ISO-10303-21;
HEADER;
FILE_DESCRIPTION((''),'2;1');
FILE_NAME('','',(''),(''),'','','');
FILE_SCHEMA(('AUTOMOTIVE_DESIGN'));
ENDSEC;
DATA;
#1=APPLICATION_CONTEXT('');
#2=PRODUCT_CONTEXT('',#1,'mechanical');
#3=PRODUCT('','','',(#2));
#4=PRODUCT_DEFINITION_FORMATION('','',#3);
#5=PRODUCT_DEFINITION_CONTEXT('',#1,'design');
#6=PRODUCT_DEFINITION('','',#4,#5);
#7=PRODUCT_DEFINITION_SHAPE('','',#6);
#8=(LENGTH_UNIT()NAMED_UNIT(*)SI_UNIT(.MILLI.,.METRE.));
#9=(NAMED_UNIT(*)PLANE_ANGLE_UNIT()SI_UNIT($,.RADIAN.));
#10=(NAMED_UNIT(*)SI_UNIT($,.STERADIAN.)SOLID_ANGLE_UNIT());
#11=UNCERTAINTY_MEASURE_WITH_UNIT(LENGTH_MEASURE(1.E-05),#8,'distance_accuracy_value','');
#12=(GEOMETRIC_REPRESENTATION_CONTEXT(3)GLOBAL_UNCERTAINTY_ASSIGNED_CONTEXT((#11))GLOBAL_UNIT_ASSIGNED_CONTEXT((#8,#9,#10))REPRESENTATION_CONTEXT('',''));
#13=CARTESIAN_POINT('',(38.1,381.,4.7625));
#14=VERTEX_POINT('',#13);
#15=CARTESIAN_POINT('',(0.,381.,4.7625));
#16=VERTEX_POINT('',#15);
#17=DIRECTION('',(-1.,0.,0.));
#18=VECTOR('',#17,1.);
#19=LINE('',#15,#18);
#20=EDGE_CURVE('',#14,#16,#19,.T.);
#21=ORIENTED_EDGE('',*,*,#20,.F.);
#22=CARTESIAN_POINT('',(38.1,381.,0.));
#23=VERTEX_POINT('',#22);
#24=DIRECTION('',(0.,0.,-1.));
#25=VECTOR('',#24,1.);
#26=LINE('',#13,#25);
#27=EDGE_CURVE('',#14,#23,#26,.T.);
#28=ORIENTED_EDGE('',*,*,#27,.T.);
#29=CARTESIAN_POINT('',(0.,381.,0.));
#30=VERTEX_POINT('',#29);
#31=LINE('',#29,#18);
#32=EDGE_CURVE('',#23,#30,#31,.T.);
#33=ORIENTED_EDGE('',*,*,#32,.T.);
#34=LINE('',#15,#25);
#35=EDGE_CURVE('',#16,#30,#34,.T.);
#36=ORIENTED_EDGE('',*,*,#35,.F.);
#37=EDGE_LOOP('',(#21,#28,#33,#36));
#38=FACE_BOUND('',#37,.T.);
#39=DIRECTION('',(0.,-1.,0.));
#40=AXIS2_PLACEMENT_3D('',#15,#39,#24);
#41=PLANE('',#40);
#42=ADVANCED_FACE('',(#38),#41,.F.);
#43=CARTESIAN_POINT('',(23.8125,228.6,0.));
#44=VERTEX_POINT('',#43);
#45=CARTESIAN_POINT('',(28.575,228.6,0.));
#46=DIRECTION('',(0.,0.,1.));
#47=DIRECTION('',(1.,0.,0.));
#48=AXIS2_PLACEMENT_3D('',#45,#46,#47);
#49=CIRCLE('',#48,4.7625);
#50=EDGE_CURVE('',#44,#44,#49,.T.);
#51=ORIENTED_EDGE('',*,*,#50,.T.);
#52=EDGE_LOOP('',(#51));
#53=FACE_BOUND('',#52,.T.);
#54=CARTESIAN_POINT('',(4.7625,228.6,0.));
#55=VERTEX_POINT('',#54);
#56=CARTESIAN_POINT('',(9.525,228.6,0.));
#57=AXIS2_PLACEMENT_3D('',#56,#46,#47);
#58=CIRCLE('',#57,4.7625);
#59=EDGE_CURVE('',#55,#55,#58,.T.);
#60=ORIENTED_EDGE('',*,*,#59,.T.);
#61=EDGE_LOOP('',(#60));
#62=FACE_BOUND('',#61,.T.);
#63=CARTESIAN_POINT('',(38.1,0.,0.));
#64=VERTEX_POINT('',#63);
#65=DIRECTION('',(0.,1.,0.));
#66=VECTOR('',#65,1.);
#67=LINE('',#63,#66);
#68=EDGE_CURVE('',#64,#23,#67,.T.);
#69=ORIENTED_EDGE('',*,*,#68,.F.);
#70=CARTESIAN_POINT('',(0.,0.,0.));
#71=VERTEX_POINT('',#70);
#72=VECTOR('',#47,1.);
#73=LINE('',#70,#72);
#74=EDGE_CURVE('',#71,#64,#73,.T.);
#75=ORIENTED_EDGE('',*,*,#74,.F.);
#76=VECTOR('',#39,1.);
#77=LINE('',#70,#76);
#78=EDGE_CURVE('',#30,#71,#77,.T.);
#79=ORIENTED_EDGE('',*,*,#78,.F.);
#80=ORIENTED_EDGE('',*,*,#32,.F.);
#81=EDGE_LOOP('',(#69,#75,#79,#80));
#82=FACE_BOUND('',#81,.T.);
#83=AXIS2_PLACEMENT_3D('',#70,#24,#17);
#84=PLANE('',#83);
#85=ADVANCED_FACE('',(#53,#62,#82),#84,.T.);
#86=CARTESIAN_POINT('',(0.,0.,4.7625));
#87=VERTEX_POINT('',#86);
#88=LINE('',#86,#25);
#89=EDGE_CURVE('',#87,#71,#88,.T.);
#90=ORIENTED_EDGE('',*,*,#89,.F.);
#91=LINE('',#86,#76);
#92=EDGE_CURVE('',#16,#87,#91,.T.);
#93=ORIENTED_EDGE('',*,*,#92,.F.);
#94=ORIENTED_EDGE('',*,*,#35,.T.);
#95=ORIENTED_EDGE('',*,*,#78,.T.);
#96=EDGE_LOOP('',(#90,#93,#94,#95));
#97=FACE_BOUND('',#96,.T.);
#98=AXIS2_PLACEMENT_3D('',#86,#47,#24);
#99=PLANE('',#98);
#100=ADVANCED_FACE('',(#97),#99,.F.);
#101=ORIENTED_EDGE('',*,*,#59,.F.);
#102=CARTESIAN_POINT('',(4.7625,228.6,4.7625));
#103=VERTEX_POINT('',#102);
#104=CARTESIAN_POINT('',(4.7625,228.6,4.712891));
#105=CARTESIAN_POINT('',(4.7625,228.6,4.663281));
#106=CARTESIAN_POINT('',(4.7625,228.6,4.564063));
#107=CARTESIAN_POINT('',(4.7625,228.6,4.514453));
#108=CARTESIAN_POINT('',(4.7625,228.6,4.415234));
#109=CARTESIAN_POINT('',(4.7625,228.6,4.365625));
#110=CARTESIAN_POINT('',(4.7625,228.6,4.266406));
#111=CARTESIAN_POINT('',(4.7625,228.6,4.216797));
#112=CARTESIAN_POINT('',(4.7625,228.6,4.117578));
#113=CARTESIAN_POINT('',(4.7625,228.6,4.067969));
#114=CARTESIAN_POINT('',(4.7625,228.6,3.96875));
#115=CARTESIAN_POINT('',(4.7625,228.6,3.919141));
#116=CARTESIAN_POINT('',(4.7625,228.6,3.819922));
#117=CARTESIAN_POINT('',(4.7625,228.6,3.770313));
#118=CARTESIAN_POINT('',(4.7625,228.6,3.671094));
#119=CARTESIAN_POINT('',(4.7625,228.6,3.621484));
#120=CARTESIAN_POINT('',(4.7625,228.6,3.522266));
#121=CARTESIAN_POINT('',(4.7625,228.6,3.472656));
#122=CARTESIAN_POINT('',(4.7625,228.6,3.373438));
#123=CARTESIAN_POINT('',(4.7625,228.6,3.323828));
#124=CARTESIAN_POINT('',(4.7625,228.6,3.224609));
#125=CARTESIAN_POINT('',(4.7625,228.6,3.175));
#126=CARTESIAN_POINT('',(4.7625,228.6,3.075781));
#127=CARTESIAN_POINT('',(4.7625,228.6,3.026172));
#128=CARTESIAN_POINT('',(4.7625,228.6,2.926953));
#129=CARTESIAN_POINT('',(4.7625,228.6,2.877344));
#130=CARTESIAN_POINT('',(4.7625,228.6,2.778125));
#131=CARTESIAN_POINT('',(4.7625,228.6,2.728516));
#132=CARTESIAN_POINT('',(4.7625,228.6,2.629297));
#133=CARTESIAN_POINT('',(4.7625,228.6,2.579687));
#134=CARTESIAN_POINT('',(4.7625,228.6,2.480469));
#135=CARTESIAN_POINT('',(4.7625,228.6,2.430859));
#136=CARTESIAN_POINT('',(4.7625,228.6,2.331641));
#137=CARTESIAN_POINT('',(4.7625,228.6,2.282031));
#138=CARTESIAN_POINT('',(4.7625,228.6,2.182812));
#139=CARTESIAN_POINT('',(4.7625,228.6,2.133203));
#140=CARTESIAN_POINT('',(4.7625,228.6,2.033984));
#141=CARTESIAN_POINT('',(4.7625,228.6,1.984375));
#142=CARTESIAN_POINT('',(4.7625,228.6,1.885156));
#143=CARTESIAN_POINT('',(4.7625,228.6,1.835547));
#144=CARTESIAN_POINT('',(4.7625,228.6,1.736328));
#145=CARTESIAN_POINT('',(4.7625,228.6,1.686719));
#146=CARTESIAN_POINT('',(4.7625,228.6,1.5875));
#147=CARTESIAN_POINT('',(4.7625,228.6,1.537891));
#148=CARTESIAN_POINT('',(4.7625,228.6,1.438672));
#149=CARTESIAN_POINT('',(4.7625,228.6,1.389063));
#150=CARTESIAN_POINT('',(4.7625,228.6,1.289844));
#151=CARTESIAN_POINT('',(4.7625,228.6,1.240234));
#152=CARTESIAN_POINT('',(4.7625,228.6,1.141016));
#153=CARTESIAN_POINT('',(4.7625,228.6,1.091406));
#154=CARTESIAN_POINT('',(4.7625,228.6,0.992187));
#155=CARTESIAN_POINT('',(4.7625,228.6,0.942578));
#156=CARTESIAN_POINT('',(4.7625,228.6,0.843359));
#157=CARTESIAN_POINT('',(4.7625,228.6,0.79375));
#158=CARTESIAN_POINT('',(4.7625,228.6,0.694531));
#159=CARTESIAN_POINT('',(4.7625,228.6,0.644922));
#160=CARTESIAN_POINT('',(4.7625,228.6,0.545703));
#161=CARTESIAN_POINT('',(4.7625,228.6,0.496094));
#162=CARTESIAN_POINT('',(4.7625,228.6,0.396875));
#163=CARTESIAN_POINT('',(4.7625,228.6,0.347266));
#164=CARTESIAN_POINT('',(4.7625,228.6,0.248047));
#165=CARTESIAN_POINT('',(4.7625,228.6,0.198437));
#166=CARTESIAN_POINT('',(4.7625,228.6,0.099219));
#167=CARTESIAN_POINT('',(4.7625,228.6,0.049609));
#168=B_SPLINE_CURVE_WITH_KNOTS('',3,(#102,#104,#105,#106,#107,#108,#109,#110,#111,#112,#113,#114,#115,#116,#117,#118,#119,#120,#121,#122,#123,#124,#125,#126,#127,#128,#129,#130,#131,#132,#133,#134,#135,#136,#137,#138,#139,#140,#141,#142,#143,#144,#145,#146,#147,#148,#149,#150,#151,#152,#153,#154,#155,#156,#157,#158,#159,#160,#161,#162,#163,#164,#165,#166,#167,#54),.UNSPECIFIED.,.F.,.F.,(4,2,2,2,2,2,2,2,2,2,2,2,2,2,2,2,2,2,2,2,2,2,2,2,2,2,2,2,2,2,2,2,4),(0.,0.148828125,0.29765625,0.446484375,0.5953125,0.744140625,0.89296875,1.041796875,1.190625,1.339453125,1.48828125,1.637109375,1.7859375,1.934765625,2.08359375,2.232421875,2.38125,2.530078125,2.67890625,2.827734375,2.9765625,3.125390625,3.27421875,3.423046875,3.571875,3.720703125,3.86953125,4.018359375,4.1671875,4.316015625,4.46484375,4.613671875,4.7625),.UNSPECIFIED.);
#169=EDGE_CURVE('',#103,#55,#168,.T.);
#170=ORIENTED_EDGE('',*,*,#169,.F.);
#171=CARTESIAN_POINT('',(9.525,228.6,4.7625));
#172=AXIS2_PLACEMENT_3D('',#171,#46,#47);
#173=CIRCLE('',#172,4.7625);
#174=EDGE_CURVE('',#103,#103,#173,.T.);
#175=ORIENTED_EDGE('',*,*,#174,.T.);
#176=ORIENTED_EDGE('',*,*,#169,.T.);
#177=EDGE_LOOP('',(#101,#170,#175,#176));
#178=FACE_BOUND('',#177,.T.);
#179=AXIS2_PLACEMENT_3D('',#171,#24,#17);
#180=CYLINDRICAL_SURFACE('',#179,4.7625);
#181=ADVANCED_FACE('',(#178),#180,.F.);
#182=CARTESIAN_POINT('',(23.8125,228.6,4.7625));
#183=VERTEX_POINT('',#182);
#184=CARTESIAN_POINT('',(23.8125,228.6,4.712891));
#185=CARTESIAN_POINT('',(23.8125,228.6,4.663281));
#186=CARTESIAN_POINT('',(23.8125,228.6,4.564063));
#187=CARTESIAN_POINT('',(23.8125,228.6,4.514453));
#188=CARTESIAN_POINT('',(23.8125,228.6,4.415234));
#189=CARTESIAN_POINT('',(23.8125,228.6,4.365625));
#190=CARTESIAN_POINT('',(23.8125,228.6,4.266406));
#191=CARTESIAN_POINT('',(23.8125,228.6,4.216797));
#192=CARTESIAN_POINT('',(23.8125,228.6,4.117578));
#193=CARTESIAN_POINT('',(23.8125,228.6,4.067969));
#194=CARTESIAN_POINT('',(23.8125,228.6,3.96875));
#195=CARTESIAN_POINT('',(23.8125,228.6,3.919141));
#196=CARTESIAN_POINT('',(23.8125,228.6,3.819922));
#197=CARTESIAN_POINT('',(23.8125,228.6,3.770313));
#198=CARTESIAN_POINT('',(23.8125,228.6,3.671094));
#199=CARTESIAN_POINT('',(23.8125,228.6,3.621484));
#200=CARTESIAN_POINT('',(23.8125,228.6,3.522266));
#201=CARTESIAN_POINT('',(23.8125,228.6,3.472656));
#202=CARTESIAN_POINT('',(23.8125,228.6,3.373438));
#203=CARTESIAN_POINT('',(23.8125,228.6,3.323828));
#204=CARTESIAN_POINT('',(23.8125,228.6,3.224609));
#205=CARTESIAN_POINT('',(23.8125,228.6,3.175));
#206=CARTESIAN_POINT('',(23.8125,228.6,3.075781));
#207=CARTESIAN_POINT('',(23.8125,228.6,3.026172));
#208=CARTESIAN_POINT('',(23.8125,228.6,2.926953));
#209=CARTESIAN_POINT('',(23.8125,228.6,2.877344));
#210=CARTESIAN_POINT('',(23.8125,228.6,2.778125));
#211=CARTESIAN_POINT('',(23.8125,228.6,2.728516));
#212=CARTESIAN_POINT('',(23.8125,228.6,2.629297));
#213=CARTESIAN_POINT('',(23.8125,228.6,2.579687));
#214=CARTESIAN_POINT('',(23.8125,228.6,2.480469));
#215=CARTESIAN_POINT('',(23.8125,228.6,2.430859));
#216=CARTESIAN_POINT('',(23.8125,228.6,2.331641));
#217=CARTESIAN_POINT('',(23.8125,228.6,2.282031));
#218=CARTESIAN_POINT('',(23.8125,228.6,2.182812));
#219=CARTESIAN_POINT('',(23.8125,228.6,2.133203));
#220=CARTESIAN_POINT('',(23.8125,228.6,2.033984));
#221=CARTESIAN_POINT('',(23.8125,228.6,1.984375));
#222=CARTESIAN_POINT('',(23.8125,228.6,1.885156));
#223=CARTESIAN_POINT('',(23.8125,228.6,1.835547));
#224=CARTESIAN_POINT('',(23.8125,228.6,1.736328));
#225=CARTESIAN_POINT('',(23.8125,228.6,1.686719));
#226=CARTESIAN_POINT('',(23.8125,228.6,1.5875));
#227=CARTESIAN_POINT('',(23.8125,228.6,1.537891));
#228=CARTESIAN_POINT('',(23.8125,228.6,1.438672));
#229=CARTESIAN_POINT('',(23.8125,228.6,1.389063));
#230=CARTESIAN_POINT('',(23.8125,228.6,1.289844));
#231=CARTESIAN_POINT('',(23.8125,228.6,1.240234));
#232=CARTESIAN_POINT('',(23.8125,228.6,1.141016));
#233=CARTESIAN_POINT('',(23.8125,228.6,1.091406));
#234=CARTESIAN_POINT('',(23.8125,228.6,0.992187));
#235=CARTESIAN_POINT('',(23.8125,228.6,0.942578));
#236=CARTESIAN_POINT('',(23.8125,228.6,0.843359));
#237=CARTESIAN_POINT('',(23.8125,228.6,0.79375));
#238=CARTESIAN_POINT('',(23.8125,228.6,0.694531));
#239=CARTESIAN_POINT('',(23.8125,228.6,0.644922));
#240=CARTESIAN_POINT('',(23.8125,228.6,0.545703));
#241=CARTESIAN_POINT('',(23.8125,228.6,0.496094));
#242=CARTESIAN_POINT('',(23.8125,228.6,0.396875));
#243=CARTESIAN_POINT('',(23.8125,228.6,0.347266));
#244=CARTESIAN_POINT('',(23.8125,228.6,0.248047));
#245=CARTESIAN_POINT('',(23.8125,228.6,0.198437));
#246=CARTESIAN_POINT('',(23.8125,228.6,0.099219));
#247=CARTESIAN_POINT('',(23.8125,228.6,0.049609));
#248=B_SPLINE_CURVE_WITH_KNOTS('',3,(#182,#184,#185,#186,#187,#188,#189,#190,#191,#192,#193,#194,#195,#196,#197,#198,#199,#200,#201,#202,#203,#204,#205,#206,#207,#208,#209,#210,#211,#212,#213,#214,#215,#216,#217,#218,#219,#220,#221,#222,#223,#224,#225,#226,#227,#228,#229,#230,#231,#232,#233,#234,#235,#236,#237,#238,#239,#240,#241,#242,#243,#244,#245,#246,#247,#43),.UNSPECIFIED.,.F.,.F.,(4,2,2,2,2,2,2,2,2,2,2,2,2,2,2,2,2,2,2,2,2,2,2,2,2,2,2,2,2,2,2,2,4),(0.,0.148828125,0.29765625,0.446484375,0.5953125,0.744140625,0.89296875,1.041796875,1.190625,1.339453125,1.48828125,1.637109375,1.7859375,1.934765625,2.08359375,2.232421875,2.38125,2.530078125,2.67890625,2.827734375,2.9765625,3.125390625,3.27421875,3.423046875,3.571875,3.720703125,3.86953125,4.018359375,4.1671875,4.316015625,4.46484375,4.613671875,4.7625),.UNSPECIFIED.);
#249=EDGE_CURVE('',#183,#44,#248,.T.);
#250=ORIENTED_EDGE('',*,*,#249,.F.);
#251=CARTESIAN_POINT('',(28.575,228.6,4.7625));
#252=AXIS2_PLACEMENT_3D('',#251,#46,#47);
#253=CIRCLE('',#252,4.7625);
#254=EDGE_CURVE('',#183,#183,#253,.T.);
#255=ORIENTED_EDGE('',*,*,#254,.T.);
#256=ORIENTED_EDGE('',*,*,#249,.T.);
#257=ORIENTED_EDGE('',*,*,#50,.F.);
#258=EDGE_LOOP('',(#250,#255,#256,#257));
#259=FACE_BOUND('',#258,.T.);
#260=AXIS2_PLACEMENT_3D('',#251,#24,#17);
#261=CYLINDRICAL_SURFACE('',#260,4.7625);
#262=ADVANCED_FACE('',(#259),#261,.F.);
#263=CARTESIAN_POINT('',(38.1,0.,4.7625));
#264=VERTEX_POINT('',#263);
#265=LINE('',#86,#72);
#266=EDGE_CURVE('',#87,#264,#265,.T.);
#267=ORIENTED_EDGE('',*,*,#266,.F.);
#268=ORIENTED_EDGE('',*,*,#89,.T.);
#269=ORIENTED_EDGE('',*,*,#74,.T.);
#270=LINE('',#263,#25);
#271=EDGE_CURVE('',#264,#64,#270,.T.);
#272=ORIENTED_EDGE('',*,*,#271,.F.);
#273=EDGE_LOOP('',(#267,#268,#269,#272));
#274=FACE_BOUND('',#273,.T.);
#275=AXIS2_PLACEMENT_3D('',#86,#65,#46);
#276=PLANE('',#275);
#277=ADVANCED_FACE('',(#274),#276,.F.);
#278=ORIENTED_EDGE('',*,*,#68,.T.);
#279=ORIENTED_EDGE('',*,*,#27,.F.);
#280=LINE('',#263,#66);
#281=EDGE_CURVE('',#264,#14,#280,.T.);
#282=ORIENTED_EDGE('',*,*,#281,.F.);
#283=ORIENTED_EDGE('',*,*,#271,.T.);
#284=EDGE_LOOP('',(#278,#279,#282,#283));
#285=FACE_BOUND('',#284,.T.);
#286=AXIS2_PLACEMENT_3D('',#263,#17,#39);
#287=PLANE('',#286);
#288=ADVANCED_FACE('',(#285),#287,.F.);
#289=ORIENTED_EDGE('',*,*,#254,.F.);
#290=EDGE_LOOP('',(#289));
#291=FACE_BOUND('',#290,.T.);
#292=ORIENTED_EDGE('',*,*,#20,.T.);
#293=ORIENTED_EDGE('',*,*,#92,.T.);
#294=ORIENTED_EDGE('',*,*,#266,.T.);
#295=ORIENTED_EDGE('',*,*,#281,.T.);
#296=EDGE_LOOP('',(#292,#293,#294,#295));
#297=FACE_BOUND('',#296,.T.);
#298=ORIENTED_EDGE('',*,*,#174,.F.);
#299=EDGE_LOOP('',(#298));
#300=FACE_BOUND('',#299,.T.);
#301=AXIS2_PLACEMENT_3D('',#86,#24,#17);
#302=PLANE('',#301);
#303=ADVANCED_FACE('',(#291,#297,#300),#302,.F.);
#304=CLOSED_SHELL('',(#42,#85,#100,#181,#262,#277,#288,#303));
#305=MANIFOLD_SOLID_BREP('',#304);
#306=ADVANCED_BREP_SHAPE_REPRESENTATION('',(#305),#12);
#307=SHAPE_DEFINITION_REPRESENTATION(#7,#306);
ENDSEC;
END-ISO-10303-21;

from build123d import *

# Parameters (mm, degrees)
SKETCH1_W           = 38.1
SKETCH1_H           = 381
SKETCH1_R           = 4.7625
BOSS_EXTRUDE1_DEPTH = 4.7625


with BuildPart() as part:
    # Sketch1 → Boss-Extrude1 (new body)
    with BuildSketch(Plane.XY):
        with Locations((19.05, 190.5)):
            Rectangle(SKETCH1_W, SKETCH1_H)
        with Locations(Location((9.525, 228.6, 0), (0, 0, 180))):
            Circle(SKETCH1_R, mode=Mode.SUBTRACT)
        with Locations(Location((28.575, 228.6, 0), (0, 0, 180))):
            Circle(SKETCH1_R, mode=Mode.SUBTRACT)
    extrude(amount=BOSS_EXTRUDE1_DEPTH)


solid = part.part
